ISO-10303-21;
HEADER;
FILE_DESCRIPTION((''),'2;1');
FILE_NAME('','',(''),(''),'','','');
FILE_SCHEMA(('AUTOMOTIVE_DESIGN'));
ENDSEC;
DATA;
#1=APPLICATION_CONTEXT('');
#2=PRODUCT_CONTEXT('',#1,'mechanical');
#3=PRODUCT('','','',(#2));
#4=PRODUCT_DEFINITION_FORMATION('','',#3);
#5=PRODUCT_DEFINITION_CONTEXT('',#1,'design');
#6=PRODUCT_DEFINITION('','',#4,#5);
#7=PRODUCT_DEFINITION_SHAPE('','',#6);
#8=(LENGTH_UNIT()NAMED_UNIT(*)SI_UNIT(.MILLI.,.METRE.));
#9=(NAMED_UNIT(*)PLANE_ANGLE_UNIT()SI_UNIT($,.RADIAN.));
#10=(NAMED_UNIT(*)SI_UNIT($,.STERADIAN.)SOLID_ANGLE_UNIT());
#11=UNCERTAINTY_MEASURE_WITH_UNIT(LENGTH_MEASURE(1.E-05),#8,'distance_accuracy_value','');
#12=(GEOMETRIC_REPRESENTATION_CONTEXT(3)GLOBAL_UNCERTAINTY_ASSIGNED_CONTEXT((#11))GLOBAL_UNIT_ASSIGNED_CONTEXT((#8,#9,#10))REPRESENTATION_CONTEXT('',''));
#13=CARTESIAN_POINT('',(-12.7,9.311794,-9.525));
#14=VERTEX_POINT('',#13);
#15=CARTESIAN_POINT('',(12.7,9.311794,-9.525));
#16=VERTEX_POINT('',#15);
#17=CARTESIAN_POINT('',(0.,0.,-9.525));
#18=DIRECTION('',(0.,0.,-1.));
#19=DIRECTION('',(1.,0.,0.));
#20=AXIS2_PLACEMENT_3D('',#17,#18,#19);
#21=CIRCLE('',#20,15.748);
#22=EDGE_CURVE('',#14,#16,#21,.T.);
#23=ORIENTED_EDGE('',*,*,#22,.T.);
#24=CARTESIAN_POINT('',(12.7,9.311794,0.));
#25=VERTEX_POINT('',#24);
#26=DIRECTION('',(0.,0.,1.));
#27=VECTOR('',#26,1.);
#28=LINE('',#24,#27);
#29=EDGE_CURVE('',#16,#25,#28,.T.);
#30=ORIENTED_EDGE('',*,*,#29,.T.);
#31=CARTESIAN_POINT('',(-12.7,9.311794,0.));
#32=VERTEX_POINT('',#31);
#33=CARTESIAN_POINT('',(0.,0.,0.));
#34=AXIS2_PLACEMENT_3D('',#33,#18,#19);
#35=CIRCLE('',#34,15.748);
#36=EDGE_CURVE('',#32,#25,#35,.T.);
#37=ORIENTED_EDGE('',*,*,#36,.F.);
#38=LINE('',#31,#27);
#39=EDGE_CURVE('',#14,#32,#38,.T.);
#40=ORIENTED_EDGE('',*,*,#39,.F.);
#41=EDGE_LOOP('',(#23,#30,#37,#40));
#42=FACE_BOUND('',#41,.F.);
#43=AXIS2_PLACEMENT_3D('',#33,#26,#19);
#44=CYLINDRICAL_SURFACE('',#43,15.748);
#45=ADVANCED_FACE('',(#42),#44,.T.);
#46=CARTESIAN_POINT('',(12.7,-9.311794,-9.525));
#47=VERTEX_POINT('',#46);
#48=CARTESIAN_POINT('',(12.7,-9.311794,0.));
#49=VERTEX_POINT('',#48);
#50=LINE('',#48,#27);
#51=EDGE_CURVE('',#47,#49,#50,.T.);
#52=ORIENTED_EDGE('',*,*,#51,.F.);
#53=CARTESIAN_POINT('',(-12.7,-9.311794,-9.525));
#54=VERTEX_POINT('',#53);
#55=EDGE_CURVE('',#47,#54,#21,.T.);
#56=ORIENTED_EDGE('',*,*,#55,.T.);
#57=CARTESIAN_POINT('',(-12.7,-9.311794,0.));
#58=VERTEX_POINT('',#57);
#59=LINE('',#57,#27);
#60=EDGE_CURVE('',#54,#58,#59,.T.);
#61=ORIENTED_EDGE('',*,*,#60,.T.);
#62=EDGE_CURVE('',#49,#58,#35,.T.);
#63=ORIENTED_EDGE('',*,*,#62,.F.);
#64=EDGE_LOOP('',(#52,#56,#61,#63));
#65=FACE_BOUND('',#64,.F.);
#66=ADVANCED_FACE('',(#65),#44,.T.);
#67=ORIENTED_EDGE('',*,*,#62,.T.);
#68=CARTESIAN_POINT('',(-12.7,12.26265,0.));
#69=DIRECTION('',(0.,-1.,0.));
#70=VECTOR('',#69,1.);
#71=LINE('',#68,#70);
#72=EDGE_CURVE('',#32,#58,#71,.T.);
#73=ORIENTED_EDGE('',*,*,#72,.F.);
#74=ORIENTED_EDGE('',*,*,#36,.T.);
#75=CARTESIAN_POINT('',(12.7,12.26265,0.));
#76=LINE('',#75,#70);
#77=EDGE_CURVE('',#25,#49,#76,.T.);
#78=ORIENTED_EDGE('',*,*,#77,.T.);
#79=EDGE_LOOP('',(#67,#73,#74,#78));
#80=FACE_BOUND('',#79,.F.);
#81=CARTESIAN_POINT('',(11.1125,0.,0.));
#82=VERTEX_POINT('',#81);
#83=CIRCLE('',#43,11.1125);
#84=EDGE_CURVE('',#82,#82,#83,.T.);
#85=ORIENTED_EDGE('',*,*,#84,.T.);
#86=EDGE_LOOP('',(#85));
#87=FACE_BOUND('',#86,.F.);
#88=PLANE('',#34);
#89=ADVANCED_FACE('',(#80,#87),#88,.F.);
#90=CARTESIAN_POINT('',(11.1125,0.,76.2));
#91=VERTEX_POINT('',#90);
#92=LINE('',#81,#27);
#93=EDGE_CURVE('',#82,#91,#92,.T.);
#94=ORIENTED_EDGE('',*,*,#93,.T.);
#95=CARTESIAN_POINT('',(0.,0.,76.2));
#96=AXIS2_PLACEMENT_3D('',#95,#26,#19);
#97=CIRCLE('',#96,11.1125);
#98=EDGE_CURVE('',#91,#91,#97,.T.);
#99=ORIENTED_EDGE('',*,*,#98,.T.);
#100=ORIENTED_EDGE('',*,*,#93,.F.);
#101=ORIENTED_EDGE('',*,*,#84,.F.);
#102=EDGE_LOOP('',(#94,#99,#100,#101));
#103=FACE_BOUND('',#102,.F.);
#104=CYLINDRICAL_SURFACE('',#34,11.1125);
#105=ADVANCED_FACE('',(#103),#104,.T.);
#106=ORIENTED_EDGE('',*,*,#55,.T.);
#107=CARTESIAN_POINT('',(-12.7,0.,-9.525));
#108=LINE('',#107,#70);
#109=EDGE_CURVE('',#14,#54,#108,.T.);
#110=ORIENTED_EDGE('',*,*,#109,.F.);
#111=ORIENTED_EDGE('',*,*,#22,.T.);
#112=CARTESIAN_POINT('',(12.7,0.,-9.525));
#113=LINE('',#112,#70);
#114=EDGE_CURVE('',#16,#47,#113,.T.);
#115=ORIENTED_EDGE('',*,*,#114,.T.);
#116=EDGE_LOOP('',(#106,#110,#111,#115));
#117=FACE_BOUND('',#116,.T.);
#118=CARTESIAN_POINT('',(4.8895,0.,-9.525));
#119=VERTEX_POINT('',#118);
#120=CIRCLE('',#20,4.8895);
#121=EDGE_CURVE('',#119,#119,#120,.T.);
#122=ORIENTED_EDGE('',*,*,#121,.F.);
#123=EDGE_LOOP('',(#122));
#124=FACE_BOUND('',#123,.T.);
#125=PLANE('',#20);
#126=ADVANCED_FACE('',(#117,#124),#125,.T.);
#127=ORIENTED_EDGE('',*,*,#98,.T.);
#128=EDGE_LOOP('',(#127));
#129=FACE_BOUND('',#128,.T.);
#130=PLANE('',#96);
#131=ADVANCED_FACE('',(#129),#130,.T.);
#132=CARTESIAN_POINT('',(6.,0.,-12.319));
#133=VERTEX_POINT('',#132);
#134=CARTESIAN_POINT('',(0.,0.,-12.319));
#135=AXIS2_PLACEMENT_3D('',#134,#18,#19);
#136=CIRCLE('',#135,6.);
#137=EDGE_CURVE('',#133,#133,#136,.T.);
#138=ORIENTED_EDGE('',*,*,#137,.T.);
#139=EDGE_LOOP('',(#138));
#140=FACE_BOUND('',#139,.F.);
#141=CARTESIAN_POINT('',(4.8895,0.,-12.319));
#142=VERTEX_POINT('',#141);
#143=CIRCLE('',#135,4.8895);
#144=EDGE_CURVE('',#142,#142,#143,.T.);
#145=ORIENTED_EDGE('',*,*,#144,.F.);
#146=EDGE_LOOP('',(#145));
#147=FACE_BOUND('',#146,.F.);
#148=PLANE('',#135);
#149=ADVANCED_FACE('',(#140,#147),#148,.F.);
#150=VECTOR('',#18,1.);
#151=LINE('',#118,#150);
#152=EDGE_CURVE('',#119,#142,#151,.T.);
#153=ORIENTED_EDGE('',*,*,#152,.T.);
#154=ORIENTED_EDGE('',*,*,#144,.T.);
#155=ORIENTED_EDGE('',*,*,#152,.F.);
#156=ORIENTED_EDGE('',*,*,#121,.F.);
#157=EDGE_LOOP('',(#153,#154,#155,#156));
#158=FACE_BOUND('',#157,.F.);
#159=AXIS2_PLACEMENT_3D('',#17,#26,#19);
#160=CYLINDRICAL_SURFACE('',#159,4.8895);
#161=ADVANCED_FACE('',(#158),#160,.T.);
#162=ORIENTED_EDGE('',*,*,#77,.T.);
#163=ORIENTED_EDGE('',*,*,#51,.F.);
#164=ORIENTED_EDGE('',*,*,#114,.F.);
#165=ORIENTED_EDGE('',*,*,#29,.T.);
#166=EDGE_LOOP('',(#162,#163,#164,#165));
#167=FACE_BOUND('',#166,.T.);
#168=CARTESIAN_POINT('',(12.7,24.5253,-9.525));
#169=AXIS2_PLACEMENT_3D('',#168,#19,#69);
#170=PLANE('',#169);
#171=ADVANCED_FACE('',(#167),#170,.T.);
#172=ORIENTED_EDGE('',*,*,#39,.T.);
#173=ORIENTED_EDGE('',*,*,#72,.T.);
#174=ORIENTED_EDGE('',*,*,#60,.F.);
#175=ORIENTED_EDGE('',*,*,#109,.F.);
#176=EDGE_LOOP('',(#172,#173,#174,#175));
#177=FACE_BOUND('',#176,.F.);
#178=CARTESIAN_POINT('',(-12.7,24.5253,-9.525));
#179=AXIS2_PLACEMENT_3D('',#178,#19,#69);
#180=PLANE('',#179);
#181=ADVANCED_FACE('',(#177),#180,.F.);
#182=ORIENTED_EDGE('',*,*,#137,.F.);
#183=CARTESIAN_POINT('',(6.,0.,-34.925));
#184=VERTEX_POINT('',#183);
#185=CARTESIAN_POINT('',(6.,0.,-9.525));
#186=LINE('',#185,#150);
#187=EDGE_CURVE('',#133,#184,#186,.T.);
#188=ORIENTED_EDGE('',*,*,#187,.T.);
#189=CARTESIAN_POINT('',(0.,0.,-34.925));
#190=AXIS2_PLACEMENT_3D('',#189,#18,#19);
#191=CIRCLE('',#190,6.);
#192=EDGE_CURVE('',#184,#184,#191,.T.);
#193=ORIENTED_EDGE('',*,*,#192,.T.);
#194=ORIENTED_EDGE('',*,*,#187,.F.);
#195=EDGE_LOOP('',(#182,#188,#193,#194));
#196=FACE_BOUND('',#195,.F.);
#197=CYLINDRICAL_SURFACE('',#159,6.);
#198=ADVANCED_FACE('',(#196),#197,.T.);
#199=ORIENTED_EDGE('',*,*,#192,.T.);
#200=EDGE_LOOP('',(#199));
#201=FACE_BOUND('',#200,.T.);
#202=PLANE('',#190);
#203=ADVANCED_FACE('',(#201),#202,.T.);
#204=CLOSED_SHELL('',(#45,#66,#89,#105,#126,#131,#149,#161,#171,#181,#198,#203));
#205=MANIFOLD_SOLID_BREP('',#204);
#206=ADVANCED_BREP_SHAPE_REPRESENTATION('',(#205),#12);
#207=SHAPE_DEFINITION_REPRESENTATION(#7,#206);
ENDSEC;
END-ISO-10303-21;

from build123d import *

# Parameters (mm, degrees)
F0_R     = 11.1125
F1_DEPTH = 76.2
F2_R     = 15.748
F3_DEPTH = 9.525
F4_R     = 6
F5_DEPTH = 25.4
F6_R     = 6
F6_R_2   = 4.8895
F7_DEPTH = 2.794
F8_W     = 13.440132
F8_H     = 49.0506
F9_DEPTH = 85.726


with BuildPart() as f1:
    # F0 (on Top) → F1 (new body)
    with BuildSketch(Plane.XY):
        Circle(F0_R)
    extrude(amount=F1_DEPTH)

    # F2 (on face) → F3 (join)
    with BuildSketch(Plane(origin=(0, 0, 0), x_dir=(1, 0, 0), z_dir=(0, 0, -1))):
        Circle(F2_R)
    extrude(amount=F3_DEPTH)

    # F4 (on face) → F5 (join)
    with BuildSketch(Plane(origin=(0, 0, -9.525), x_dir=(1, 0, 0), z_dir=(0, 0, -1))):
        Circle(F4_R)
    extrude(amount=F5_DEPTH)

    # F6 (on face) → F7 (cut)
    with BuildSketch(Plane(origin=(0, 0, -9.525), x_dir=(1, 0, 0), z_dir=(0, 0, -1))):
        Circle(F6_R)
        Circle(F6_R_2, mode=Mode.SUBTRACT)
    extrude(amount=F7_DEPTH, mode=Mode.SUBTRACT)

    # F8 (on face) → F9 (cut, through all)
    with BuildSketch(Plane(origin=(0, 0, -9.525), x_dir=(1, 0, 0), z_dir=(0, 0, -1))):
        with Locations((-19.420066, 0)):
            Rectangle(F8_W, F8_H)
        with Locations((19.420066, 0)):
            Rectangle(F8_W, F8_H)
    extrude(amount=-F9_DEPTH, mode=Mode.SUBTRACT)


solid = f1.part
